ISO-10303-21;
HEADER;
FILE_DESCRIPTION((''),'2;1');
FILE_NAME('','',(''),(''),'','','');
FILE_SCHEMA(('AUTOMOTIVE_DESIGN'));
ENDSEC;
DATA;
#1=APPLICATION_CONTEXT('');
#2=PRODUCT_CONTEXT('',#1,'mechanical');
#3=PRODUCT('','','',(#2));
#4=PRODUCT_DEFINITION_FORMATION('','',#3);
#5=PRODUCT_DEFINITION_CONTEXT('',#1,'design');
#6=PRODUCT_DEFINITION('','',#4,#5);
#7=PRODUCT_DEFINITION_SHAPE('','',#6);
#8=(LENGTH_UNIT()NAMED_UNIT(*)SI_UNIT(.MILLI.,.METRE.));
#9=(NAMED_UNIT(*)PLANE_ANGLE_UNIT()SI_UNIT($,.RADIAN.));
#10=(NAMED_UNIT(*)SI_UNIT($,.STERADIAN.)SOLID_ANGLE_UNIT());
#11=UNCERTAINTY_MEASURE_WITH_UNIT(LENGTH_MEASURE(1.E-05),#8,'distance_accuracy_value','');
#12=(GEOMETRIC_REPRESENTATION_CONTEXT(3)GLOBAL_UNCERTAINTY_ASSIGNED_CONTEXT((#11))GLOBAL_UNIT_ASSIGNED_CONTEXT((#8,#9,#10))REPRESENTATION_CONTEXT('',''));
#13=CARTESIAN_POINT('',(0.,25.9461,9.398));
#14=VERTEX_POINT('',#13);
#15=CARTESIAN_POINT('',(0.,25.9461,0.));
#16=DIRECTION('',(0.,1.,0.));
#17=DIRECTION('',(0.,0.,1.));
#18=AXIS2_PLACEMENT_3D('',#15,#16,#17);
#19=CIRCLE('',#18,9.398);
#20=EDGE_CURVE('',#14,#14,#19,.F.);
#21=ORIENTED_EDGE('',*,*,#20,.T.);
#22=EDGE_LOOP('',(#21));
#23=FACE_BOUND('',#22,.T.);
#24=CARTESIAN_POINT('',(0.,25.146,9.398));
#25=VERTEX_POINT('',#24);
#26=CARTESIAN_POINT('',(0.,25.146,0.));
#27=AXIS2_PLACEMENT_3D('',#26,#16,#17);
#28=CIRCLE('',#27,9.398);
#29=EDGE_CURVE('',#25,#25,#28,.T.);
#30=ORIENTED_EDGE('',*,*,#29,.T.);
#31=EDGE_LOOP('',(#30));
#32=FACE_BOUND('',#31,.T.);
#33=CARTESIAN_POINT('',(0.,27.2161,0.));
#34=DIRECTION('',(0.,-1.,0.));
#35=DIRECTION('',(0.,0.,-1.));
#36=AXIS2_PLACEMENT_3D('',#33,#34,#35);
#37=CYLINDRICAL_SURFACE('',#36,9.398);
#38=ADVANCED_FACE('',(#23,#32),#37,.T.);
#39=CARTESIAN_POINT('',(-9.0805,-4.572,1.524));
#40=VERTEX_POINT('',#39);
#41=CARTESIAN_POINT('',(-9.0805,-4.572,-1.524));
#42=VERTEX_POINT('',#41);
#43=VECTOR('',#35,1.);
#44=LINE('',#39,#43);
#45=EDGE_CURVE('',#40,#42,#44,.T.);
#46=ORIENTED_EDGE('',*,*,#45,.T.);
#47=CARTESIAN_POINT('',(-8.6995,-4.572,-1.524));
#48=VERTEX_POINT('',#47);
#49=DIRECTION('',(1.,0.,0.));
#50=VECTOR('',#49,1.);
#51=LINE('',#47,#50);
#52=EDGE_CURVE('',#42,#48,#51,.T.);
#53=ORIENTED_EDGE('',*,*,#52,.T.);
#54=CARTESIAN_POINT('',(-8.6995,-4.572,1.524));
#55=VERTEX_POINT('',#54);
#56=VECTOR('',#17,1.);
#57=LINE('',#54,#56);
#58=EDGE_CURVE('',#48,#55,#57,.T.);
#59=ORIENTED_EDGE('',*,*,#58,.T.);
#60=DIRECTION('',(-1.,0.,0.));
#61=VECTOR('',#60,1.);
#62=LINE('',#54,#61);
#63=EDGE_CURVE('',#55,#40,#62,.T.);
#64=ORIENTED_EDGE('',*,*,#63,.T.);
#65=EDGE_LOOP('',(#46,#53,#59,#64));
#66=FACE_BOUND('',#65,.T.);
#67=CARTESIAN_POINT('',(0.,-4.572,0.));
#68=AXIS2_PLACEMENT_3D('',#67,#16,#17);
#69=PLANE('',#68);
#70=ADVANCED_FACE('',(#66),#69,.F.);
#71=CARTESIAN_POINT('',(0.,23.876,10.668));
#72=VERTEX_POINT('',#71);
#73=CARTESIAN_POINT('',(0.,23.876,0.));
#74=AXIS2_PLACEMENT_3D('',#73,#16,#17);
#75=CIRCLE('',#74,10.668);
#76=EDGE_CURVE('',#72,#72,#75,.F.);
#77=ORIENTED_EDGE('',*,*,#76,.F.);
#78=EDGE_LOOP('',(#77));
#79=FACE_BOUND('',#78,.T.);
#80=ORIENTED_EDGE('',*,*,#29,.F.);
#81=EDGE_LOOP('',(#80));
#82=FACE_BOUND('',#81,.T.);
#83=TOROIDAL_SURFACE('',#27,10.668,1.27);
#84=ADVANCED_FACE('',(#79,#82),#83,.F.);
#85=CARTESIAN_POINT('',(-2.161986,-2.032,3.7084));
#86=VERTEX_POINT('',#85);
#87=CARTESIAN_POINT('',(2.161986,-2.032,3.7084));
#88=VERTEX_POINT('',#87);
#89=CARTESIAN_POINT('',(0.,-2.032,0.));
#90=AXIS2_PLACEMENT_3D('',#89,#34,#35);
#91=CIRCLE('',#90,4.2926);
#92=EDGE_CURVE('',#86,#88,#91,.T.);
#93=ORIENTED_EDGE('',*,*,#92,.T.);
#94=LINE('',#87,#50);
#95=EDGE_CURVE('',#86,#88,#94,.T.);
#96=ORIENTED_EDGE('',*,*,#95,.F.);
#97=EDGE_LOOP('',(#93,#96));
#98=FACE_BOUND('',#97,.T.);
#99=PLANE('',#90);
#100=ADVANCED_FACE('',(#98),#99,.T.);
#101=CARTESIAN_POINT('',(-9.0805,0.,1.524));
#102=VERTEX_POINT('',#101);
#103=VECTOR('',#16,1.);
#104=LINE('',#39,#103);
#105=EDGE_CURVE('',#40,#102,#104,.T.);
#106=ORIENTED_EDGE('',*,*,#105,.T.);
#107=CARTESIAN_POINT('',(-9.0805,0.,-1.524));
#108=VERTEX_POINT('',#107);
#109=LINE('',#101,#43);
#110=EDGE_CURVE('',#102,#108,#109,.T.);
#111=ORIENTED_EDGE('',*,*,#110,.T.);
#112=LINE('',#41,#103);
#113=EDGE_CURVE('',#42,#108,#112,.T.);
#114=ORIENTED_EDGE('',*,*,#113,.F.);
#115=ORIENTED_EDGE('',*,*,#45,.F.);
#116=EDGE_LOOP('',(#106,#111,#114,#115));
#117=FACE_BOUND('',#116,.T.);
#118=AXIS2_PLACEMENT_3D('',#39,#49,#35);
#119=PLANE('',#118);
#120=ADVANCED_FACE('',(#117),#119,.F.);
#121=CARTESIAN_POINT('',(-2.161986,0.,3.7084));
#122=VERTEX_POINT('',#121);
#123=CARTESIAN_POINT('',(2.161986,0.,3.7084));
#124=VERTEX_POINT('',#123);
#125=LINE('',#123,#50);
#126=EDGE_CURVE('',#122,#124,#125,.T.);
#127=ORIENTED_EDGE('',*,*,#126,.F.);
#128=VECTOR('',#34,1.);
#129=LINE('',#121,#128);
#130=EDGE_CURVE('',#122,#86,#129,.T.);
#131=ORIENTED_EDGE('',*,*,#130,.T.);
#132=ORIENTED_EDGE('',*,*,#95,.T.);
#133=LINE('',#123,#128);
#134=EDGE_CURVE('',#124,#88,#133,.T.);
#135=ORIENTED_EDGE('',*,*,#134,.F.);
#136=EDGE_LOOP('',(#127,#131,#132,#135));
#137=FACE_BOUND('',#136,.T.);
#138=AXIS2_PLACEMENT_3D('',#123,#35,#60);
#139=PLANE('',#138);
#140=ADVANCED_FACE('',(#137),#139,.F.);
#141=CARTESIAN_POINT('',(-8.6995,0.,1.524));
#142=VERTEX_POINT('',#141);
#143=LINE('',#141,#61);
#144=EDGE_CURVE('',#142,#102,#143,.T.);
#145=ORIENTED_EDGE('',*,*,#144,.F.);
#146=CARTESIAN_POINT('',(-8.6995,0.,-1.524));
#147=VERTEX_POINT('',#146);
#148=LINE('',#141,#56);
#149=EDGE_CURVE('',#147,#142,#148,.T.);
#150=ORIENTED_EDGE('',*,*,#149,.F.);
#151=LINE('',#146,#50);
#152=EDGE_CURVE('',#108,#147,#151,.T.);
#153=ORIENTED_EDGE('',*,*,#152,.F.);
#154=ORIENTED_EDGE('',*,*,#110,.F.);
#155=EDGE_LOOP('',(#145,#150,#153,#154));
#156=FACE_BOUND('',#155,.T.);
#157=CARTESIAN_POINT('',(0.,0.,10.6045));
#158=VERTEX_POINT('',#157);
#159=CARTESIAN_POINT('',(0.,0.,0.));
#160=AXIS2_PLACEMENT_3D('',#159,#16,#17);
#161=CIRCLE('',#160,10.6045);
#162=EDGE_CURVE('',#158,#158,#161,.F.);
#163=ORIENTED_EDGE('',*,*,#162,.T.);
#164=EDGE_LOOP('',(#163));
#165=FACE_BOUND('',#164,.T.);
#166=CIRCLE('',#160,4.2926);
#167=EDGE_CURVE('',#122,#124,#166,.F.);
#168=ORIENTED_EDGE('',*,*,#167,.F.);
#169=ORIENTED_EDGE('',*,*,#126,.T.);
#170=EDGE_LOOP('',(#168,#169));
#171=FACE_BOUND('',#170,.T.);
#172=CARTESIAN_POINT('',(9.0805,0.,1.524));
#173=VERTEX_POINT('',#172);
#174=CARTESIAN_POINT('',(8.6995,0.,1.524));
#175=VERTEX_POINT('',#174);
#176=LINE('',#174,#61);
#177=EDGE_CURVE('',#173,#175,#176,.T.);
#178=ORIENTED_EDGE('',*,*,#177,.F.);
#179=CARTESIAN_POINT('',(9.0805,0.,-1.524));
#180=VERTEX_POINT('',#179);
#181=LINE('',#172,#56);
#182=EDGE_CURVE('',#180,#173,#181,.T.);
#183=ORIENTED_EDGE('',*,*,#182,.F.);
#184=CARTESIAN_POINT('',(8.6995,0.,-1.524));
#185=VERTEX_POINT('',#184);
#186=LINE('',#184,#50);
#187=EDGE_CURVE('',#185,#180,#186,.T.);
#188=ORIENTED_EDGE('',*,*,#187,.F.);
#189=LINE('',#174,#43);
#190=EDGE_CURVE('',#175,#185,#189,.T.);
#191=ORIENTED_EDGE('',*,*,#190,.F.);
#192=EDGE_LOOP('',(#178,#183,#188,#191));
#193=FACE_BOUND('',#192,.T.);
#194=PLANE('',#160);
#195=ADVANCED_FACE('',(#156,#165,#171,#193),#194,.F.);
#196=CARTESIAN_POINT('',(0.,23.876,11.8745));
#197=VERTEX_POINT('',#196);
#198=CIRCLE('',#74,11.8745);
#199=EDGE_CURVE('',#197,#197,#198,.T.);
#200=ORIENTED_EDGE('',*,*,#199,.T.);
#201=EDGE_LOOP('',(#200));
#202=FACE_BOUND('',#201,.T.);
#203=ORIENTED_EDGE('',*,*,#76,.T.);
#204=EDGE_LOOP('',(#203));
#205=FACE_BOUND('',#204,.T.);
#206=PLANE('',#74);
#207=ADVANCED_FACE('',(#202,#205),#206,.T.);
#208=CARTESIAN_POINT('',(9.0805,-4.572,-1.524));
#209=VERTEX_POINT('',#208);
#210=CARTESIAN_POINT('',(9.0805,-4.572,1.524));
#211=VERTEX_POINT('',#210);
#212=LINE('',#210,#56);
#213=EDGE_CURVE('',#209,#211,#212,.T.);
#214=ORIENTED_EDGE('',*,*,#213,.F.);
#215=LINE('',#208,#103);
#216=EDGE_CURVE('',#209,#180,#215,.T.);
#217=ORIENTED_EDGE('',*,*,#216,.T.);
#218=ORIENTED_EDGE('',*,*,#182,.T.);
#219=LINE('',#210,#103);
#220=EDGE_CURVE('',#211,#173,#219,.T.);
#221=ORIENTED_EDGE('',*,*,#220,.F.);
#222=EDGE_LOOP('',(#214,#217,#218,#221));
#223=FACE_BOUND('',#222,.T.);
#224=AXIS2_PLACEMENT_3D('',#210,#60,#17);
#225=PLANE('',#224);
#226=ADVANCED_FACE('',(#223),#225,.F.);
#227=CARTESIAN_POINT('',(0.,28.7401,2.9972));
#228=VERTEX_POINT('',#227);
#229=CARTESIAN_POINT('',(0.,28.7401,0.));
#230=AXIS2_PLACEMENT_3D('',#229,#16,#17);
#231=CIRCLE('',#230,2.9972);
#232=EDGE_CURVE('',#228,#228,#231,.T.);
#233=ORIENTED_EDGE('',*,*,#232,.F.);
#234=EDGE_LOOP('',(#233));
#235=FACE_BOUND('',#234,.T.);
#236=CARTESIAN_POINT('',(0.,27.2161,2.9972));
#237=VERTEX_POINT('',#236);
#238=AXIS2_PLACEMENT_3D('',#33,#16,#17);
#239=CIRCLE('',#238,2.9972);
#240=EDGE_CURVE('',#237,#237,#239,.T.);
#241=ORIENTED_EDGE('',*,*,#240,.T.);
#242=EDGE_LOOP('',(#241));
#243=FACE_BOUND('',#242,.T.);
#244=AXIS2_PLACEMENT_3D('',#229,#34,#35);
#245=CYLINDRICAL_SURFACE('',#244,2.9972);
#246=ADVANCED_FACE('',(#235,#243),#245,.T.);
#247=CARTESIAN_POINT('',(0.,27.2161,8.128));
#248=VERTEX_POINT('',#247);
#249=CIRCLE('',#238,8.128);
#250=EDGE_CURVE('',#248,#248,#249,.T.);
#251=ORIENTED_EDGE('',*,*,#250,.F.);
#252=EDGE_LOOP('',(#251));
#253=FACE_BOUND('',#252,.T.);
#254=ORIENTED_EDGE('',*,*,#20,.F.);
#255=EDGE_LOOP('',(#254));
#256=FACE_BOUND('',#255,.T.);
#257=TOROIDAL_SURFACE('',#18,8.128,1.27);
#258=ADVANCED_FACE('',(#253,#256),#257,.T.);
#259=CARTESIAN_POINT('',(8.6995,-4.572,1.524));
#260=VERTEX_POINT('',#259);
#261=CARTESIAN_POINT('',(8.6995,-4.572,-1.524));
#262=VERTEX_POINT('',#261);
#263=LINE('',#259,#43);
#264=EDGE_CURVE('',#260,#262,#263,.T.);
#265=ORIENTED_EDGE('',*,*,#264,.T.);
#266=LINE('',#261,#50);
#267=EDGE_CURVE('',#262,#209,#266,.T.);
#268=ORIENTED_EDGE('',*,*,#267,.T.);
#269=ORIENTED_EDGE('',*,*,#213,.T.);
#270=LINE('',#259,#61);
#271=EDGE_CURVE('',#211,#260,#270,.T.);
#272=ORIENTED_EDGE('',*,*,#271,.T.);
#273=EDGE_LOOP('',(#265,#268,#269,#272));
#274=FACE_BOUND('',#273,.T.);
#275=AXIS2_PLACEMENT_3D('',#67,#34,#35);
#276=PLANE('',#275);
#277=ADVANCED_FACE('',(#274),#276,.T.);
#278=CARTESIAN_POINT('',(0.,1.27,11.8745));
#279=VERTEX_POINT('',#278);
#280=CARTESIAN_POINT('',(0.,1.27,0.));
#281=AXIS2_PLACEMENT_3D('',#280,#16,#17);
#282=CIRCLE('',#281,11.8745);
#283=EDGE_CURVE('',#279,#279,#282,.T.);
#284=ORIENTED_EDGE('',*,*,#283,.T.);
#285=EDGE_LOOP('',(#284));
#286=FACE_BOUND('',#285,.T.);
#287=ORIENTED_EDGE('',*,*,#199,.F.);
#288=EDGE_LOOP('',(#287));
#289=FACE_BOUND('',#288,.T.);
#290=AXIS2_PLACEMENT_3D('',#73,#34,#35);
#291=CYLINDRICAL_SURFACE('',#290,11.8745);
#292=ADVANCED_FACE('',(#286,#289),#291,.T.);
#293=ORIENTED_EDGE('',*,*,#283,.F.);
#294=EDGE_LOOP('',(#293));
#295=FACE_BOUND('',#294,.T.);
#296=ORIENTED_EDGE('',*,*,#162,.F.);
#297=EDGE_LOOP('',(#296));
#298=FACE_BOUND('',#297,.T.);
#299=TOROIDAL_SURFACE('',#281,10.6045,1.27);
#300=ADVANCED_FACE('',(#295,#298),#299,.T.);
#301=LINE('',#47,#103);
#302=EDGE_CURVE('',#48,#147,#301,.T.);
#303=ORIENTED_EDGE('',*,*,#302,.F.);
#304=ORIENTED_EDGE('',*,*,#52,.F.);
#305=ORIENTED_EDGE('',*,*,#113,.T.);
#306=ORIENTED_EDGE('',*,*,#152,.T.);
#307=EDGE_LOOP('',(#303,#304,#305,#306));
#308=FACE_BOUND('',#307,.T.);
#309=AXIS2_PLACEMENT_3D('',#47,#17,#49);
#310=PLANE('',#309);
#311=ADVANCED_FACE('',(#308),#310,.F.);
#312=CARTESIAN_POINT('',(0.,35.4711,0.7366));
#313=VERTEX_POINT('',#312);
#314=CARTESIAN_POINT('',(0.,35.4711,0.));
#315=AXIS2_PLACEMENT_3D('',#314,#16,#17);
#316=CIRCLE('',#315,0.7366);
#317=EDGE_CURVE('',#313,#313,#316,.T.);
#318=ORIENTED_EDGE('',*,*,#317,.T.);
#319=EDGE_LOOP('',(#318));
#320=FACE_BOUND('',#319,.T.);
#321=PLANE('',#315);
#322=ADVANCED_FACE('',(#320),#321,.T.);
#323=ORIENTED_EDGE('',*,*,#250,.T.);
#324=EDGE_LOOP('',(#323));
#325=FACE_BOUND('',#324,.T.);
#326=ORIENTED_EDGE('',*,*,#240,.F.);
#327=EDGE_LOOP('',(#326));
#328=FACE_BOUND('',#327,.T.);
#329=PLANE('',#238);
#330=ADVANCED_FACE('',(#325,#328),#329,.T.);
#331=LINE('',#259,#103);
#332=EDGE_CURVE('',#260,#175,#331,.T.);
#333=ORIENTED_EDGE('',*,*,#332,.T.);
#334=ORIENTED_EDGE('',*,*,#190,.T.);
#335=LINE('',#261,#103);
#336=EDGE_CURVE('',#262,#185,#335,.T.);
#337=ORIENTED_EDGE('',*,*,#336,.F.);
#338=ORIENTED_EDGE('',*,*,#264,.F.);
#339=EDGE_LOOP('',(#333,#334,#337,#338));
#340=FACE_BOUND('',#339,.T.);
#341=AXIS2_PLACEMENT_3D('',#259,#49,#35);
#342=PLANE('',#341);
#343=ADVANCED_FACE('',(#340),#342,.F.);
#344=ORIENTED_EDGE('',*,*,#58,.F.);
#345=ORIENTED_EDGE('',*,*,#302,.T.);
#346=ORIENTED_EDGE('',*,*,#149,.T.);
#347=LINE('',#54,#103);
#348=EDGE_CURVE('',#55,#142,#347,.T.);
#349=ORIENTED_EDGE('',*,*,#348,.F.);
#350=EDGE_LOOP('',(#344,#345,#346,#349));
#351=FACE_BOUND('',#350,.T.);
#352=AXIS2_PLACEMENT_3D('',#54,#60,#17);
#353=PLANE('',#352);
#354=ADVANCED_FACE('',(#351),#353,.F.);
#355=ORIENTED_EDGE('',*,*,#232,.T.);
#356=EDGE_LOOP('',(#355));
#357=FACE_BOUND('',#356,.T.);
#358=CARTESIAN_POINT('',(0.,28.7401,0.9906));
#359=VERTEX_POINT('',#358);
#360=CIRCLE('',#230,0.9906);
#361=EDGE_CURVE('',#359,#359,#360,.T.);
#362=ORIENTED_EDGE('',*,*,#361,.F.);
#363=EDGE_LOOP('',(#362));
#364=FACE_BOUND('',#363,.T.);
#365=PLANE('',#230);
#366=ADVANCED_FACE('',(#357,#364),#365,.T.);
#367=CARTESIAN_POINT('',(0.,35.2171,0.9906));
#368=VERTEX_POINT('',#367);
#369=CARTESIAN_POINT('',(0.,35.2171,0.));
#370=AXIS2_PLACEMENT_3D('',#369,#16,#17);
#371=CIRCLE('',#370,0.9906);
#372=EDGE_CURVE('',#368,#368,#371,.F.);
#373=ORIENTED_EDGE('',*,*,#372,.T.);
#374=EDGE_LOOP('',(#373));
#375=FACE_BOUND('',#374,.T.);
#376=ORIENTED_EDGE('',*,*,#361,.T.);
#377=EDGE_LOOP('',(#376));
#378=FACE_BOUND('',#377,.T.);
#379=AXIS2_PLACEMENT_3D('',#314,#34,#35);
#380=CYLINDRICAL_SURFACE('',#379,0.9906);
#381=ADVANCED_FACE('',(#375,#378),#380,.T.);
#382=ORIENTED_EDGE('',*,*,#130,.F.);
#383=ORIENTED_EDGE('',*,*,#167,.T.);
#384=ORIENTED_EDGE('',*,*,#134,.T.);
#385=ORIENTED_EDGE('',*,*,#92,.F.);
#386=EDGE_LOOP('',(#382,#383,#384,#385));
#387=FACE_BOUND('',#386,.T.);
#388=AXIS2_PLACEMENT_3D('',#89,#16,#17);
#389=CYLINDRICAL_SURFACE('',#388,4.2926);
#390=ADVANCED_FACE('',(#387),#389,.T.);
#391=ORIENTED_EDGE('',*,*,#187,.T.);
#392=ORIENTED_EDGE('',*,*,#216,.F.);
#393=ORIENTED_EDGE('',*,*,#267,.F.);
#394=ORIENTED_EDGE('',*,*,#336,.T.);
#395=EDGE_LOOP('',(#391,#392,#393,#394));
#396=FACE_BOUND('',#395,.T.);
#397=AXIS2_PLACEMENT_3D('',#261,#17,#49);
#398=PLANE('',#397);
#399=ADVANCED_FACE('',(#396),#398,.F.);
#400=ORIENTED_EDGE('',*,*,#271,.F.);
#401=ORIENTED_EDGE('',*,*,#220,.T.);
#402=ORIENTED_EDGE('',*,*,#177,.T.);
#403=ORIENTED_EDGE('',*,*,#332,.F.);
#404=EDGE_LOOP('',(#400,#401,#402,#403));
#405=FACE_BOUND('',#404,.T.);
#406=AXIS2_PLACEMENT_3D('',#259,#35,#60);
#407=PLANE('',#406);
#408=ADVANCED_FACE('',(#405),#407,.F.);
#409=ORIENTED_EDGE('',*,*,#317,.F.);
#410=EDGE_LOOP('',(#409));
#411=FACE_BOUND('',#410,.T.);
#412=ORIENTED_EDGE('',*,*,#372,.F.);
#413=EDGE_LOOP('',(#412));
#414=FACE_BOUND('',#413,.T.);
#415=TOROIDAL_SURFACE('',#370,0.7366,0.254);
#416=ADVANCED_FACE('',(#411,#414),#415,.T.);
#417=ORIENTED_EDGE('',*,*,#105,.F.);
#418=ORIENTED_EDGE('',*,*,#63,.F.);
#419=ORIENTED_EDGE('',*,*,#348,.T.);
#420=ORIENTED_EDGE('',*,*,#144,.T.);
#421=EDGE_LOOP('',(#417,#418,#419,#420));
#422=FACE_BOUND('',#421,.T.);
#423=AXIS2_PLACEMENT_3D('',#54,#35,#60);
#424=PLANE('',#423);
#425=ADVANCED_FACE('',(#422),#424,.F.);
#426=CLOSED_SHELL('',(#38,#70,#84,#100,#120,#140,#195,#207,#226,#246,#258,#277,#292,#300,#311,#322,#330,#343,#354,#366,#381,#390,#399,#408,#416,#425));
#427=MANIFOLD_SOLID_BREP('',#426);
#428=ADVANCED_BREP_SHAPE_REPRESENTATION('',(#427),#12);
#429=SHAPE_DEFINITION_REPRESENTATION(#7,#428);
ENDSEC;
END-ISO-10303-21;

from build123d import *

# Parameters (mm, degrees)
SKETCH1_R           = 11.8745
BOSS_EXTRUDE1_DEPTH = 23.876
SKETCH2_R           = 9.398
BOSS_EXTRUDE2_DEPTH = 3.3401
SKETCH3_R           = 2.9972
BOSS_EXTRUDE3_DEPTH = 1.524
SKETCH4_R           = 0.9906
BOSS_EXTRUDE4_DEPTH = 6.731
SKETCH5_R           = 4.2926
BOSS_EXTRUDE5_DEPTH = 2.032
CUT_EXTRUDE1_DEPTH  = 2.032
SKETCH7_W           = 0.381
SKETCH7_H           = 3.048
BOSS_EXTRUDE6_DEPTH = 4.572
FILLET1_R           = 1.27
FILLET2_R           = 0.254


with BuildPart() as part:
    # Sketch1 → Boss-Extrude1 (new body)
    with BuildSketch(Plane(origin=(0, 0, 0), x_dir=(1, 0, 0), z_dir=(0, 1, 0))):
        Circle(SKETCH1_R)
    extrude(amount=BOSS_EXTRUDE1_DEPTH)

    # Sketch2 → Boss-Extrude2 (add)
    with BuildSketch(Plane(origin=(0, 23.876, 0), x_dir=(1, 0, 0), z_dir=(0, 1, 0))):
        Circle(SKETCH2_R)
    extrude(amount=BOSS_EXTRUDE2_DEPTH)

    # Sketch3 → Boss-Extrude3 (add)
    with BuildSketch(Plane(origin=(0, 27.2161, 0), x_dir=(1, 0, 0), z_dir=(0, 1, 0))):
        Circle(SKETCH3_R)
    extrude(amount=BOSS_EXTRUDE3_DEPTH)

    # Sketch4 → Boss-Extrude4 (add)
    with BuildSketch(Plane(origin=(0, 28.7401, 0), x_dir=(1, 0, 0), z_dir=(0, 1, 0))):
        Circle(SKETCH4_R)
    extrude(amount=BOSS_EXTRUDE4_DEPTH)

    # Sketch5 → Boss-Extrude5 (add)
    with BuildSketch(Plane.XZ):
        Circle(SKETCH5_R)
    extrude(amount=BOSS_EXTRUDE5_DEPTH)

    # Sketch6 → Cut-Extrude1 (cut)
    with BuildSketch(Plane.XZ.offset(2.032)):
        with BuildLine():
            Line((2.16198617, 3.7084), (-2.16198617, 3.7084))
            ThreePointArc((-2.16198617, 3.7084), (0, 4.2926), (2.16198617, 3.7084))
        make_face()
    extrude(amount=-CUT_EXTRUDE1_DEPTH, mode=Mode.SUBTRACT)

    # Sketch7 → Boss-Extrude6 (add)
    with BuildSketch(Plane.XZ):
        with Locations((-8.89, 0)):
            Rectangle(SKETCH7_W, SKETCH7_H)
        with Locations((8.89, 0)):
            Rectangle(SKETCH7_W, SKETCH7_H)
    extrude(amount=BOSS_EXTRUDE6_DEPTH)

    # Fillet1
    fillet1_edges = [part.edges().sort_by_distance(p)[0] for p in [
        (-11.8745, 0, 0),
        (-9.398, 23.876, 0),
        (-9.398, 27.2161, 0),
    ]]
    fillet(fillet1_edges, radius=FILLET1_R)

    # Fillet2
    fillet2_edges = [part.edges().sort_by_distance(p)[0] for p in [
        (-0.9906, 35.4711, 0),
    ]]
    fillet(fillet2_edges, radius=FILLET2_R)


solid = part.part
